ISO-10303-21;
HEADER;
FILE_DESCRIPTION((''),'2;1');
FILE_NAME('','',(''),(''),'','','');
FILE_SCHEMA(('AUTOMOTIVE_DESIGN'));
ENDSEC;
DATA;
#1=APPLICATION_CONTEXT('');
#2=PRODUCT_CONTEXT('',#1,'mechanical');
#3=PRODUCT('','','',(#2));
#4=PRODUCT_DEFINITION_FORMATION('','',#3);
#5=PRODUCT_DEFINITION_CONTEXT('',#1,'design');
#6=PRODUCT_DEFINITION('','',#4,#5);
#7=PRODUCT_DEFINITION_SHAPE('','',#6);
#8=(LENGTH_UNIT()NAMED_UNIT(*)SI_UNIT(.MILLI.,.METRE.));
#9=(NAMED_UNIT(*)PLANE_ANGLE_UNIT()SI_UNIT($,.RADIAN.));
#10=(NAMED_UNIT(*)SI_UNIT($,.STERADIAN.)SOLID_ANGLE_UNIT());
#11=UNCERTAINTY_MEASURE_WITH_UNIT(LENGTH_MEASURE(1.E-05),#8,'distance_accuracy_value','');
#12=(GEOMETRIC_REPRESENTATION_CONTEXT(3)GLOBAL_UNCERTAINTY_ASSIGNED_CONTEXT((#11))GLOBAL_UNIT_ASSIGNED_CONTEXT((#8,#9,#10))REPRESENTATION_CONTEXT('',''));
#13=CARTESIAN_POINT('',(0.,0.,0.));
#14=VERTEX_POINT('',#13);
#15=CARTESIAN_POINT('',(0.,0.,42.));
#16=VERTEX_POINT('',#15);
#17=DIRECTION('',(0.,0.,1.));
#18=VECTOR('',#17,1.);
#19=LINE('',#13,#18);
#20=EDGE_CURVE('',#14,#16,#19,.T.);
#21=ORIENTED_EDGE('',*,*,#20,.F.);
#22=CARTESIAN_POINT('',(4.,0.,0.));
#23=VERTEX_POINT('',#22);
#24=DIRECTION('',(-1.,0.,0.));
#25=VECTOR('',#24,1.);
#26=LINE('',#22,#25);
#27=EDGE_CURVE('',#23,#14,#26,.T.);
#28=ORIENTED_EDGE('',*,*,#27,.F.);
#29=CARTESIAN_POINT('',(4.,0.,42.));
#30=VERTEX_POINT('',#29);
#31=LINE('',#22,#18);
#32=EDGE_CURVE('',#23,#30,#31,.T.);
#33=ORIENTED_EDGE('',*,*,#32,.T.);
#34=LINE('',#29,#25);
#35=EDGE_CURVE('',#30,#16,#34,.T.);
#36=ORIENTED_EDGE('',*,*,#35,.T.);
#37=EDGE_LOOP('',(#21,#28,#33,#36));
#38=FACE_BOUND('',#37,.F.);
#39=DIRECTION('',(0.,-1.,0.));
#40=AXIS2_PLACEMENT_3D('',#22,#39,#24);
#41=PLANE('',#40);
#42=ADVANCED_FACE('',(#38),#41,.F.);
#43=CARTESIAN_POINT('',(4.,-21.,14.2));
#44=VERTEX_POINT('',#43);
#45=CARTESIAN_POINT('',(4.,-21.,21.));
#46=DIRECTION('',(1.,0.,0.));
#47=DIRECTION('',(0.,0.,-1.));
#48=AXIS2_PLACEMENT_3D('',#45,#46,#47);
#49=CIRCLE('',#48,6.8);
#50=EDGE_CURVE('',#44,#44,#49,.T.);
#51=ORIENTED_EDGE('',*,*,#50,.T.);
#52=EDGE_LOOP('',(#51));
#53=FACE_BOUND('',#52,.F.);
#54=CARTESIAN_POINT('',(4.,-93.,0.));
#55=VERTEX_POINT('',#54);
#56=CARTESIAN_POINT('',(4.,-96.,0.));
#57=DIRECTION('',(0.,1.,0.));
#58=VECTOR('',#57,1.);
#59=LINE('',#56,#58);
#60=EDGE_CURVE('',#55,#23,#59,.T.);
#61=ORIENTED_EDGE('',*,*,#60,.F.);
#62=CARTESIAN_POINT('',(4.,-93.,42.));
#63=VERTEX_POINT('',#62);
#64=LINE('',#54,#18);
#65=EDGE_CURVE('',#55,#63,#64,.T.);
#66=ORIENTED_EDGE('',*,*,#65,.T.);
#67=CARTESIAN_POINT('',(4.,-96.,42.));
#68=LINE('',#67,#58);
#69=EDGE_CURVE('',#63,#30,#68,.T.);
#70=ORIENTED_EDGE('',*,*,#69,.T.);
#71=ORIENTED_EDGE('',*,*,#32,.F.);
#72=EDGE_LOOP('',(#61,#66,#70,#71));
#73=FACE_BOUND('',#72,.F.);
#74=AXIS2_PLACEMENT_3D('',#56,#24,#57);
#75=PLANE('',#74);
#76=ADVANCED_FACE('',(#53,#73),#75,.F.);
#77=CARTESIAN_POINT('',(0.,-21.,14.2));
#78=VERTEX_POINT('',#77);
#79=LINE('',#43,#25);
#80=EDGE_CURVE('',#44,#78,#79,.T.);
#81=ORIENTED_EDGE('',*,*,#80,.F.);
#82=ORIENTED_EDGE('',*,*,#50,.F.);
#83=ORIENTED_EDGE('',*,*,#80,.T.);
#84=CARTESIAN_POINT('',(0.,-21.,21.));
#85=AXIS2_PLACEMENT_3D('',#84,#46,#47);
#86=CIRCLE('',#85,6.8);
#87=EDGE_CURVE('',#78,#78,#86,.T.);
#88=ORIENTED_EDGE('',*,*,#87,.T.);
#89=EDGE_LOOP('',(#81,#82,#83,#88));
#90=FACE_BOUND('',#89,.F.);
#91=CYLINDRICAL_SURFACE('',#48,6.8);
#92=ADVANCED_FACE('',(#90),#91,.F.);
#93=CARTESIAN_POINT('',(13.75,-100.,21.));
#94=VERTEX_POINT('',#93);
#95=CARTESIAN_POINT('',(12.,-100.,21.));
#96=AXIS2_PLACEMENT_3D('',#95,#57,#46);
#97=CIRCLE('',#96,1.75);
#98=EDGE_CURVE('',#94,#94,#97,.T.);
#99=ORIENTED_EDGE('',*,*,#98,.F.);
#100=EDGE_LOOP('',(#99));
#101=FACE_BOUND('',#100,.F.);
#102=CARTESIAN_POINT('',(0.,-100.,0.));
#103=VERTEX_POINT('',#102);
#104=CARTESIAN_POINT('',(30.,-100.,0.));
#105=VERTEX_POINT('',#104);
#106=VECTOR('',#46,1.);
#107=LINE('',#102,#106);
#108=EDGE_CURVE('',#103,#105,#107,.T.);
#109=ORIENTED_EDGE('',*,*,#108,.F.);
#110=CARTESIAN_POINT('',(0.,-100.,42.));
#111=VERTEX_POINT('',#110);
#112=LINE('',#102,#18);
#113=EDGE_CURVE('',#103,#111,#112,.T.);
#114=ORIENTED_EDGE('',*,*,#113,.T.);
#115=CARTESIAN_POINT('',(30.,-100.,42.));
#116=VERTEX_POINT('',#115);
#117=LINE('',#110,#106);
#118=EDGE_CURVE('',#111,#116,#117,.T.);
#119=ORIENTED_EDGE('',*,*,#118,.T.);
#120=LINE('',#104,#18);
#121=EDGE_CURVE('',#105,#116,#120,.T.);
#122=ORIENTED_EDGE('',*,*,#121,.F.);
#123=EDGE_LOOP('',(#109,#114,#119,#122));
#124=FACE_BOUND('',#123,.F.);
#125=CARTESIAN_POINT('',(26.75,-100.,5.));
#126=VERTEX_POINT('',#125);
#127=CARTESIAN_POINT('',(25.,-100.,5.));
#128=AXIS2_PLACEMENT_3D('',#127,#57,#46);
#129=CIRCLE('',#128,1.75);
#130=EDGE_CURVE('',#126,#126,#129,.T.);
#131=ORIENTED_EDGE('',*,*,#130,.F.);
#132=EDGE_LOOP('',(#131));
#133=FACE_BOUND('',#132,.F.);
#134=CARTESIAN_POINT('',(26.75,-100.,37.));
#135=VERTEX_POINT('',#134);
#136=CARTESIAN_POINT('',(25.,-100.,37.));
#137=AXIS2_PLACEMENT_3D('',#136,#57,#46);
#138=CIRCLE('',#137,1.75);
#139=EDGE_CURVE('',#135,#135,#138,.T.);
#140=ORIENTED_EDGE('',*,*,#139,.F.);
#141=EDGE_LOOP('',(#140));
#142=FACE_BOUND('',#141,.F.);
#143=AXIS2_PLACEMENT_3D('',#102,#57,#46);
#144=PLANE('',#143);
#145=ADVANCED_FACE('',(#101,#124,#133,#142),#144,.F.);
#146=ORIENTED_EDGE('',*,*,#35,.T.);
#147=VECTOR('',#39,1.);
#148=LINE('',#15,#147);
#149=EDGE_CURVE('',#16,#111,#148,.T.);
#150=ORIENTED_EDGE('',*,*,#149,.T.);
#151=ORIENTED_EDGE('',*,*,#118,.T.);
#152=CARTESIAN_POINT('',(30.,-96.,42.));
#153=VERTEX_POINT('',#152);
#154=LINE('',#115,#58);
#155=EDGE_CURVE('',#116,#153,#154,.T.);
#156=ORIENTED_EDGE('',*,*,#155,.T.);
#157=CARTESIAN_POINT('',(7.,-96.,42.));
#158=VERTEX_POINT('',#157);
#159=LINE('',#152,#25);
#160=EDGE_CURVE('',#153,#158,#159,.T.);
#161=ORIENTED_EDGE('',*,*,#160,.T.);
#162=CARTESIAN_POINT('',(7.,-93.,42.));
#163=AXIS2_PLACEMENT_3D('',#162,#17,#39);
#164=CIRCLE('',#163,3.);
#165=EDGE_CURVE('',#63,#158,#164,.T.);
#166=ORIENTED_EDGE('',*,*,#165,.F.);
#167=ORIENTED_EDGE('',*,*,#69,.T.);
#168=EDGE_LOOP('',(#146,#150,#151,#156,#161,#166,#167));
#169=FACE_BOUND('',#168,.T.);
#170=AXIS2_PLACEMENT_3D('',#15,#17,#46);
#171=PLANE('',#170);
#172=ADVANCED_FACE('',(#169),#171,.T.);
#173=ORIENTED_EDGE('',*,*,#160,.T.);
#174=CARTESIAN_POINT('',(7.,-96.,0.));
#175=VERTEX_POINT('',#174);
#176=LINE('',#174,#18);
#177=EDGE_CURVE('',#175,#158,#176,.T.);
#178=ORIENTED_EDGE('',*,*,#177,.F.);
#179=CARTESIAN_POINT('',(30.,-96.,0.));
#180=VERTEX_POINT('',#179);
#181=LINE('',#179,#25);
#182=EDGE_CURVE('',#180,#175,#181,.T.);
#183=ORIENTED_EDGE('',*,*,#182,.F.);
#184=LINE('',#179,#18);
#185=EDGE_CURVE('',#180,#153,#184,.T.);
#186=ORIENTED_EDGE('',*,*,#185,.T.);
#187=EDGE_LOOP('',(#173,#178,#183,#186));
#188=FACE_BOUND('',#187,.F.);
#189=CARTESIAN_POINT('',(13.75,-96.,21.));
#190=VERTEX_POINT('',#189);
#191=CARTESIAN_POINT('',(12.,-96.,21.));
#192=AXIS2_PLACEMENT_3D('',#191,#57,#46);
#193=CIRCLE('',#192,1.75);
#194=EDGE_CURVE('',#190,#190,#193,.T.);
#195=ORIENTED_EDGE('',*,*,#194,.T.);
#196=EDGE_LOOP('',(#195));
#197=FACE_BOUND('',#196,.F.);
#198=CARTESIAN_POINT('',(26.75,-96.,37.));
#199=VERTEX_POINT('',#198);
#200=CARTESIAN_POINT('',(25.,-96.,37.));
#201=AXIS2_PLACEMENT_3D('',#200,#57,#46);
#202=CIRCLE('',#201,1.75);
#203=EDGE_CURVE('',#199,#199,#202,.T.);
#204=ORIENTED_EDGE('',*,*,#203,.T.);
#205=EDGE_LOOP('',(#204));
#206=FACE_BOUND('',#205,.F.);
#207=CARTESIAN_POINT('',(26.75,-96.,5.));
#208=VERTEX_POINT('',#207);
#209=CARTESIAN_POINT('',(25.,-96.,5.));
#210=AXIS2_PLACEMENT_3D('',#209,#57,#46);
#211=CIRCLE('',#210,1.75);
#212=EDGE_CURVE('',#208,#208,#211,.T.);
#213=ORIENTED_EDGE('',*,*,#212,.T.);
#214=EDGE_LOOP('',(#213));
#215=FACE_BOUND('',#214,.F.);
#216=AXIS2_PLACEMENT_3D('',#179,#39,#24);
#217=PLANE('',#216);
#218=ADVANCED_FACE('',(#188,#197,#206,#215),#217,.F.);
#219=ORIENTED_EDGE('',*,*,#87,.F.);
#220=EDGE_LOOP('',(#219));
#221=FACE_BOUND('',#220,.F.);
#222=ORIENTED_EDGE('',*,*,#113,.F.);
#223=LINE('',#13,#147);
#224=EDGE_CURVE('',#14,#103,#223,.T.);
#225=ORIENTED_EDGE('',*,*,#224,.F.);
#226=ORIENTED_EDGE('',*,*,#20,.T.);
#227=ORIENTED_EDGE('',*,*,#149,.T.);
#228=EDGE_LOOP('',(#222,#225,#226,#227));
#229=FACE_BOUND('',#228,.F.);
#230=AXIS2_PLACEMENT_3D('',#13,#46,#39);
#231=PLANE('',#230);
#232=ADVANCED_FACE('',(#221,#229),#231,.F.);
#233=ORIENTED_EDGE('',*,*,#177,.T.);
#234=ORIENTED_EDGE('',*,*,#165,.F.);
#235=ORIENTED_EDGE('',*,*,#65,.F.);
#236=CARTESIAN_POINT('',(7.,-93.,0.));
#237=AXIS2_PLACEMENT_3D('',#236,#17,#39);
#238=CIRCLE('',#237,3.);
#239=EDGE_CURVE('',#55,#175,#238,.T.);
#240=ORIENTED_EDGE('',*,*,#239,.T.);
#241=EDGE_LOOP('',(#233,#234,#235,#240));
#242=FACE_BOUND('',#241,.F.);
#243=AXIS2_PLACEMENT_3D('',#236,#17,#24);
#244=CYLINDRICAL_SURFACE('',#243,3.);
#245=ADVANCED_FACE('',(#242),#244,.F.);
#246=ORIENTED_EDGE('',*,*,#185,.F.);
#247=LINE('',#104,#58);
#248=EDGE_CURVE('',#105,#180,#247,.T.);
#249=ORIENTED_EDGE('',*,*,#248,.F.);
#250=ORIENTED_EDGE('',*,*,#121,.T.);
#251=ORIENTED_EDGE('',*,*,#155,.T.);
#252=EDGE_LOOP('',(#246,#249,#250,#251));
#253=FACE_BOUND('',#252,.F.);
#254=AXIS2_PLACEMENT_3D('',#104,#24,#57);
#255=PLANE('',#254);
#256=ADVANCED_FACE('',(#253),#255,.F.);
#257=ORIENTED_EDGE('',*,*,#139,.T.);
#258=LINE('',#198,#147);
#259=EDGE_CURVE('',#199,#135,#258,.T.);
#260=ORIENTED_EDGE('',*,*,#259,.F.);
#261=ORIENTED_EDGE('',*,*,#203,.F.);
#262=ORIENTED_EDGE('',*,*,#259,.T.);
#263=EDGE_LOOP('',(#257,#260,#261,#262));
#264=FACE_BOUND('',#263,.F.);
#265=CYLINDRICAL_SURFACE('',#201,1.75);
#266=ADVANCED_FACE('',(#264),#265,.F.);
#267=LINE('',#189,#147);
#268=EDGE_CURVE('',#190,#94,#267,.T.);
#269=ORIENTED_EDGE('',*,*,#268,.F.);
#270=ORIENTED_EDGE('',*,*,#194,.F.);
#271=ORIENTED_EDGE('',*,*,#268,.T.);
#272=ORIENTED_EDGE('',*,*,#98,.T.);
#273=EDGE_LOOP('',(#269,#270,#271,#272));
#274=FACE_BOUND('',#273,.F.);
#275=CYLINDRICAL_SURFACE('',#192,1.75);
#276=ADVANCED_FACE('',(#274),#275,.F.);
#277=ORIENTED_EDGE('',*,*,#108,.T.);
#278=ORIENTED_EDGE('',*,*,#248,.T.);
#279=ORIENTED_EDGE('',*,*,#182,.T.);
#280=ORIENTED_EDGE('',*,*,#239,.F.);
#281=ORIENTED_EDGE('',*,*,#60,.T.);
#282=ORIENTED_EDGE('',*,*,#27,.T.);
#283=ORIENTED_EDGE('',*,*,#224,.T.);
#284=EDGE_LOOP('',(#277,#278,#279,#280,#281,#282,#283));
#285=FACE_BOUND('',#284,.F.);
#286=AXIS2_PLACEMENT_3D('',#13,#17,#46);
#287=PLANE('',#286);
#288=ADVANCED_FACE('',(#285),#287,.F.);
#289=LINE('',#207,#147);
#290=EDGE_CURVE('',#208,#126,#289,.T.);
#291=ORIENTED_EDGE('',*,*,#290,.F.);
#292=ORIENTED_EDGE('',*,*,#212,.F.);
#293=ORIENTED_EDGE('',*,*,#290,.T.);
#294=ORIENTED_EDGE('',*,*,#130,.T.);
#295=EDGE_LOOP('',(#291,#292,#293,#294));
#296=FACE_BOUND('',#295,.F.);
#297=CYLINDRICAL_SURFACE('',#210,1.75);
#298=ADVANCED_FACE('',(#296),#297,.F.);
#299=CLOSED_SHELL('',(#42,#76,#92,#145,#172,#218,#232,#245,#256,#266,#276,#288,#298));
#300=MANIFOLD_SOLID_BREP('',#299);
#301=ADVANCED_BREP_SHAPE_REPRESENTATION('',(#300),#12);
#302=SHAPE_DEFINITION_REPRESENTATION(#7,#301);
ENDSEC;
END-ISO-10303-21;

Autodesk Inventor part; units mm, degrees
ref_plane "YZ Plane" through (0, 0, 0) normal (1, 0, 0) x (0, 1, 0)
ref_plane "XZ Plane" through (0, 0, 0) normal (0, 1, 0) x (-1, 0, 0)
ref_plane "XY Plane" through (0, 0, 0) normal (0, 0, 1) x (1, 0, 0)
sketch "Sketch1" plane through (0, 0, 0) normal (0, 0, 1) x (1, 0, 0)
  point P0 (0, 0)
sketch "Sketch2" plane through (0, 0, 0) normal (0, 0, 1) x (1, 0, 0)
  line L0 (0, 0) -> (0, -100)
  line L1 (0, -100) -> (30, -100)
  line L2 (30, -100) -> (30, -96)
  line L3 (30, -96) -> (4, -96)
  line L4 (4, -96) -> (4, 0)
  line L5 (4, 0) -> (0, 0)
  dimension "d0" = 100
  dimension "d1" = 30
  dimension "d2" = 4
  dimension "d3" = 26
extrude "Extrusion1" add sketch "Sketch2" along normal blind 42
sketch "Sketch4" plane through (4, -96, 0) normal (0, 1, 0) x (1, 0, 0)
  line L0 (-4, -42) -> (26, -42) projected
  line L1 (-4, 0) -> (26, 0)
  line L2 (26, 0) -> (26, -42)
  line L3 (26, -42) -> (-4, -42)
  line L4 (-4, -42) -> (-4, 0)
  circle A0 centre (21, -37) radius 1.75
  circle A1 centre (21, -5) radius 1.75
  circle A2 centre (8, -21) radius 1.75
  dimension "d11" = 3.5
  dimension "d12" = 3.5
  dimension "d13" = 3.5
  dimension "d14" = 5
  dimension "d15" = 5
  dimension "d16" = 5
  dimension "d17" = 5
  dimension "d18" = 12
  dimension "d19" = 21
extrude "Extrusion3" cut sketch "Sketch4" against normal blind 4 contours A0 | A1 | A2
fillet "Fillet1" radius 3 1 edges at (4, -96, 21)
sketch "Sketch5" plane through (4, 0, 42) normal (1, 0, 0) x (0, 0, -1)
  line L0 (42, 0) -> (0, 0) projected
  line L1 (42, -100) -> (0, -100) projected
  line L2 (42, 0) -> (0, 0)
  line L3 (0, 0) -> (0, -100)
  line L4 (0, -100) -> (42, -100)
  line L5 (42, -100) -> (42, 0)
  circle A0 centre (21, -21) radius 6.8
  dimension "d23" = 13.6
  dimension "d24" = 21
  dimension "d25" = 21
extrude "Extrusion4" cut sketch "Sketch5" against normal blind 4 contours A0
properties part number "Suporte Direito"
